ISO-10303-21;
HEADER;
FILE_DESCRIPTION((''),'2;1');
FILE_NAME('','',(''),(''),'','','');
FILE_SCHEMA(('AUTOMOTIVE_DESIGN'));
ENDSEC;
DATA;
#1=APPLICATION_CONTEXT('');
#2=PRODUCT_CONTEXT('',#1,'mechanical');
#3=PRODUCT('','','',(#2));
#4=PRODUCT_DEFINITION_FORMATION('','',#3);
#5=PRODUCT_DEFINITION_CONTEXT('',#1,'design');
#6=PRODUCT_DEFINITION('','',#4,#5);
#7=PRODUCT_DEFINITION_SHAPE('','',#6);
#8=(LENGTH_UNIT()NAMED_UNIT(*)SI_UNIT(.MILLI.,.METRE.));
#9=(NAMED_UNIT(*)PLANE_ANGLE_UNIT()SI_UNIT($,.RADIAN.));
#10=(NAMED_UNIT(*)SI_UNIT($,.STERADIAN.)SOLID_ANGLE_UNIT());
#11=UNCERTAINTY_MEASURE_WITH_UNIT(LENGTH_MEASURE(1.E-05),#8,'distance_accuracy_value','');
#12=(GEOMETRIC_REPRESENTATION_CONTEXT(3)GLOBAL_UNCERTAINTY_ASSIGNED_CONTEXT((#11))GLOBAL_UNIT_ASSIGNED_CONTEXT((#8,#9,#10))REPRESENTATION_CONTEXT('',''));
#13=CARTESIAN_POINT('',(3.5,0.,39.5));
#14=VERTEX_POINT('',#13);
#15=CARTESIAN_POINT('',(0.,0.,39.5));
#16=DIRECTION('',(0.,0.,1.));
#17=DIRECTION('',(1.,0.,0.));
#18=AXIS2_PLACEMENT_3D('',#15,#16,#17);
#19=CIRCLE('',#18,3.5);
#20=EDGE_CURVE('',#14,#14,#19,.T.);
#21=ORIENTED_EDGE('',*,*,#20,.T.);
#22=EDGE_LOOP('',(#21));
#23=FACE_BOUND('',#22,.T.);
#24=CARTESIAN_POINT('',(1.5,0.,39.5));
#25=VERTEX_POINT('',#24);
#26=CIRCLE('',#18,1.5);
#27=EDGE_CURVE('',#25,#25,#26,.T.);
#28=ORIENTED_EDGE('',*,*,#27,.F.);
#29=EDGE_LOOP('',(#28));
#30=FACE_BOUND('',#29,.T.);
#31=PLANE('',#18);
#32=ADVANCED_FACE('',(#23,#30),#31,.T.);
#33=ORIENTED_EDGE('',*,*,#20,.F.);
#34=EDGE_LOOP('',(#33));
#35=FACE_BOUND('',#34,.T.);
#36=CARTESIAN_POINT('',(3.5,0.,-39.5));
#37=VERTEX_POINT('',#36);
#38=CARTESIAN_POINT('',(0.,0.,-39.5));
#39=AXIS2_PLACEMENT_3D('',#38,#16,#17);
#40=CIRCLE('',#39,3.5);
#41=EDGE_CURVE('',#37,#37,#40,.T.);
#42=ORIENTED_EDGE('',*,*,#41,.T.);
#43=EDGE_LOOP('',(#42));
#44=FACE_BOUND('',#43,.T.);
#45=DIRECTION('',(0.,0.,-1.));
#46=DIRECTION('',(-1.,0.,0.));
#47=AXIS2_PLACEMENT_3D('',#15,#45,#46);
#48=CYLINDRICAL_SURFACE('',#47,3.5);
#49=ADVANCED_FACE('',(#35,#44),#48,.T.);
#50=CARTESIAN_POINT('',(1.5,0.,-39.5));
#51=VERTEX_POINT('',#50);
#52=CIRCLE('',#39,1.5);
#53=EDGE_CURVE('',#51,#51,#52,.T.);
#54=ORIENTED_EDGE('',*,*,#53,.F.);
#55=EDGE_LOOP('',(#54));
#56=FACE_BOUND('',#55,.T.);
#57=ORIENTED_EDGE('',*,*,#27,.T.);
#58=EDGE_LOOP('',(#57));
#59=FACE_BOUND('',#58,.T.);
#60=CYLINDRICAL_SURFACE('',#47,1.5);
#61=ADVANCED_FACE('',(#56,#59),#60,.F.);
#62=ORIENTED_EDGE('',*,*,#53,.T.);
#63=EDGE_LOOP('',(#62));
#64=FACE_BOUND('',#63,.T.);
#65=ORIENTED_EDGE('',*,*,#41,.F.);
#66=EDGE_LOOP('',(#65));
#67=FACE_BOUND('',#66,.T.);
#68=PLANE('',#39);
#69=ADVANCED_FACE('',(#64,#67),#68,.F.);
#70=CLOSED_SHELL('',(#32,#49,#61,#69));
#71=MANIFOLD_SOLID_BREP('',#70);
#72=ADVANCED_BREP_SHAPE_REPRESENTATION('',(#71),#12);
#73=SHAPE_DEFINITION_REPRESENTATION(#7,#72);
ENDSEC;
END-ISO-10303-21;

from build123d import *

# Parameters (mm, degrees)
SKETCH_1_R      = 3.5
SKETCH_1_R_2    = 1.5
EXTRUDE_1_DEPTH = 39.5


with BuildPart() as part:
    # 草图1 → 凸台-拉伸1 (new, symmetric)
    with BuildSketch(Plane.XY):
        Circle(SKETCH_1_R)
        Circle(SKETCH_1_R_2, mode=Mode.SUBTRACT)
    extrude(amount=EXTRUDE_1_DEPTH, both=True)


solid = part.part
